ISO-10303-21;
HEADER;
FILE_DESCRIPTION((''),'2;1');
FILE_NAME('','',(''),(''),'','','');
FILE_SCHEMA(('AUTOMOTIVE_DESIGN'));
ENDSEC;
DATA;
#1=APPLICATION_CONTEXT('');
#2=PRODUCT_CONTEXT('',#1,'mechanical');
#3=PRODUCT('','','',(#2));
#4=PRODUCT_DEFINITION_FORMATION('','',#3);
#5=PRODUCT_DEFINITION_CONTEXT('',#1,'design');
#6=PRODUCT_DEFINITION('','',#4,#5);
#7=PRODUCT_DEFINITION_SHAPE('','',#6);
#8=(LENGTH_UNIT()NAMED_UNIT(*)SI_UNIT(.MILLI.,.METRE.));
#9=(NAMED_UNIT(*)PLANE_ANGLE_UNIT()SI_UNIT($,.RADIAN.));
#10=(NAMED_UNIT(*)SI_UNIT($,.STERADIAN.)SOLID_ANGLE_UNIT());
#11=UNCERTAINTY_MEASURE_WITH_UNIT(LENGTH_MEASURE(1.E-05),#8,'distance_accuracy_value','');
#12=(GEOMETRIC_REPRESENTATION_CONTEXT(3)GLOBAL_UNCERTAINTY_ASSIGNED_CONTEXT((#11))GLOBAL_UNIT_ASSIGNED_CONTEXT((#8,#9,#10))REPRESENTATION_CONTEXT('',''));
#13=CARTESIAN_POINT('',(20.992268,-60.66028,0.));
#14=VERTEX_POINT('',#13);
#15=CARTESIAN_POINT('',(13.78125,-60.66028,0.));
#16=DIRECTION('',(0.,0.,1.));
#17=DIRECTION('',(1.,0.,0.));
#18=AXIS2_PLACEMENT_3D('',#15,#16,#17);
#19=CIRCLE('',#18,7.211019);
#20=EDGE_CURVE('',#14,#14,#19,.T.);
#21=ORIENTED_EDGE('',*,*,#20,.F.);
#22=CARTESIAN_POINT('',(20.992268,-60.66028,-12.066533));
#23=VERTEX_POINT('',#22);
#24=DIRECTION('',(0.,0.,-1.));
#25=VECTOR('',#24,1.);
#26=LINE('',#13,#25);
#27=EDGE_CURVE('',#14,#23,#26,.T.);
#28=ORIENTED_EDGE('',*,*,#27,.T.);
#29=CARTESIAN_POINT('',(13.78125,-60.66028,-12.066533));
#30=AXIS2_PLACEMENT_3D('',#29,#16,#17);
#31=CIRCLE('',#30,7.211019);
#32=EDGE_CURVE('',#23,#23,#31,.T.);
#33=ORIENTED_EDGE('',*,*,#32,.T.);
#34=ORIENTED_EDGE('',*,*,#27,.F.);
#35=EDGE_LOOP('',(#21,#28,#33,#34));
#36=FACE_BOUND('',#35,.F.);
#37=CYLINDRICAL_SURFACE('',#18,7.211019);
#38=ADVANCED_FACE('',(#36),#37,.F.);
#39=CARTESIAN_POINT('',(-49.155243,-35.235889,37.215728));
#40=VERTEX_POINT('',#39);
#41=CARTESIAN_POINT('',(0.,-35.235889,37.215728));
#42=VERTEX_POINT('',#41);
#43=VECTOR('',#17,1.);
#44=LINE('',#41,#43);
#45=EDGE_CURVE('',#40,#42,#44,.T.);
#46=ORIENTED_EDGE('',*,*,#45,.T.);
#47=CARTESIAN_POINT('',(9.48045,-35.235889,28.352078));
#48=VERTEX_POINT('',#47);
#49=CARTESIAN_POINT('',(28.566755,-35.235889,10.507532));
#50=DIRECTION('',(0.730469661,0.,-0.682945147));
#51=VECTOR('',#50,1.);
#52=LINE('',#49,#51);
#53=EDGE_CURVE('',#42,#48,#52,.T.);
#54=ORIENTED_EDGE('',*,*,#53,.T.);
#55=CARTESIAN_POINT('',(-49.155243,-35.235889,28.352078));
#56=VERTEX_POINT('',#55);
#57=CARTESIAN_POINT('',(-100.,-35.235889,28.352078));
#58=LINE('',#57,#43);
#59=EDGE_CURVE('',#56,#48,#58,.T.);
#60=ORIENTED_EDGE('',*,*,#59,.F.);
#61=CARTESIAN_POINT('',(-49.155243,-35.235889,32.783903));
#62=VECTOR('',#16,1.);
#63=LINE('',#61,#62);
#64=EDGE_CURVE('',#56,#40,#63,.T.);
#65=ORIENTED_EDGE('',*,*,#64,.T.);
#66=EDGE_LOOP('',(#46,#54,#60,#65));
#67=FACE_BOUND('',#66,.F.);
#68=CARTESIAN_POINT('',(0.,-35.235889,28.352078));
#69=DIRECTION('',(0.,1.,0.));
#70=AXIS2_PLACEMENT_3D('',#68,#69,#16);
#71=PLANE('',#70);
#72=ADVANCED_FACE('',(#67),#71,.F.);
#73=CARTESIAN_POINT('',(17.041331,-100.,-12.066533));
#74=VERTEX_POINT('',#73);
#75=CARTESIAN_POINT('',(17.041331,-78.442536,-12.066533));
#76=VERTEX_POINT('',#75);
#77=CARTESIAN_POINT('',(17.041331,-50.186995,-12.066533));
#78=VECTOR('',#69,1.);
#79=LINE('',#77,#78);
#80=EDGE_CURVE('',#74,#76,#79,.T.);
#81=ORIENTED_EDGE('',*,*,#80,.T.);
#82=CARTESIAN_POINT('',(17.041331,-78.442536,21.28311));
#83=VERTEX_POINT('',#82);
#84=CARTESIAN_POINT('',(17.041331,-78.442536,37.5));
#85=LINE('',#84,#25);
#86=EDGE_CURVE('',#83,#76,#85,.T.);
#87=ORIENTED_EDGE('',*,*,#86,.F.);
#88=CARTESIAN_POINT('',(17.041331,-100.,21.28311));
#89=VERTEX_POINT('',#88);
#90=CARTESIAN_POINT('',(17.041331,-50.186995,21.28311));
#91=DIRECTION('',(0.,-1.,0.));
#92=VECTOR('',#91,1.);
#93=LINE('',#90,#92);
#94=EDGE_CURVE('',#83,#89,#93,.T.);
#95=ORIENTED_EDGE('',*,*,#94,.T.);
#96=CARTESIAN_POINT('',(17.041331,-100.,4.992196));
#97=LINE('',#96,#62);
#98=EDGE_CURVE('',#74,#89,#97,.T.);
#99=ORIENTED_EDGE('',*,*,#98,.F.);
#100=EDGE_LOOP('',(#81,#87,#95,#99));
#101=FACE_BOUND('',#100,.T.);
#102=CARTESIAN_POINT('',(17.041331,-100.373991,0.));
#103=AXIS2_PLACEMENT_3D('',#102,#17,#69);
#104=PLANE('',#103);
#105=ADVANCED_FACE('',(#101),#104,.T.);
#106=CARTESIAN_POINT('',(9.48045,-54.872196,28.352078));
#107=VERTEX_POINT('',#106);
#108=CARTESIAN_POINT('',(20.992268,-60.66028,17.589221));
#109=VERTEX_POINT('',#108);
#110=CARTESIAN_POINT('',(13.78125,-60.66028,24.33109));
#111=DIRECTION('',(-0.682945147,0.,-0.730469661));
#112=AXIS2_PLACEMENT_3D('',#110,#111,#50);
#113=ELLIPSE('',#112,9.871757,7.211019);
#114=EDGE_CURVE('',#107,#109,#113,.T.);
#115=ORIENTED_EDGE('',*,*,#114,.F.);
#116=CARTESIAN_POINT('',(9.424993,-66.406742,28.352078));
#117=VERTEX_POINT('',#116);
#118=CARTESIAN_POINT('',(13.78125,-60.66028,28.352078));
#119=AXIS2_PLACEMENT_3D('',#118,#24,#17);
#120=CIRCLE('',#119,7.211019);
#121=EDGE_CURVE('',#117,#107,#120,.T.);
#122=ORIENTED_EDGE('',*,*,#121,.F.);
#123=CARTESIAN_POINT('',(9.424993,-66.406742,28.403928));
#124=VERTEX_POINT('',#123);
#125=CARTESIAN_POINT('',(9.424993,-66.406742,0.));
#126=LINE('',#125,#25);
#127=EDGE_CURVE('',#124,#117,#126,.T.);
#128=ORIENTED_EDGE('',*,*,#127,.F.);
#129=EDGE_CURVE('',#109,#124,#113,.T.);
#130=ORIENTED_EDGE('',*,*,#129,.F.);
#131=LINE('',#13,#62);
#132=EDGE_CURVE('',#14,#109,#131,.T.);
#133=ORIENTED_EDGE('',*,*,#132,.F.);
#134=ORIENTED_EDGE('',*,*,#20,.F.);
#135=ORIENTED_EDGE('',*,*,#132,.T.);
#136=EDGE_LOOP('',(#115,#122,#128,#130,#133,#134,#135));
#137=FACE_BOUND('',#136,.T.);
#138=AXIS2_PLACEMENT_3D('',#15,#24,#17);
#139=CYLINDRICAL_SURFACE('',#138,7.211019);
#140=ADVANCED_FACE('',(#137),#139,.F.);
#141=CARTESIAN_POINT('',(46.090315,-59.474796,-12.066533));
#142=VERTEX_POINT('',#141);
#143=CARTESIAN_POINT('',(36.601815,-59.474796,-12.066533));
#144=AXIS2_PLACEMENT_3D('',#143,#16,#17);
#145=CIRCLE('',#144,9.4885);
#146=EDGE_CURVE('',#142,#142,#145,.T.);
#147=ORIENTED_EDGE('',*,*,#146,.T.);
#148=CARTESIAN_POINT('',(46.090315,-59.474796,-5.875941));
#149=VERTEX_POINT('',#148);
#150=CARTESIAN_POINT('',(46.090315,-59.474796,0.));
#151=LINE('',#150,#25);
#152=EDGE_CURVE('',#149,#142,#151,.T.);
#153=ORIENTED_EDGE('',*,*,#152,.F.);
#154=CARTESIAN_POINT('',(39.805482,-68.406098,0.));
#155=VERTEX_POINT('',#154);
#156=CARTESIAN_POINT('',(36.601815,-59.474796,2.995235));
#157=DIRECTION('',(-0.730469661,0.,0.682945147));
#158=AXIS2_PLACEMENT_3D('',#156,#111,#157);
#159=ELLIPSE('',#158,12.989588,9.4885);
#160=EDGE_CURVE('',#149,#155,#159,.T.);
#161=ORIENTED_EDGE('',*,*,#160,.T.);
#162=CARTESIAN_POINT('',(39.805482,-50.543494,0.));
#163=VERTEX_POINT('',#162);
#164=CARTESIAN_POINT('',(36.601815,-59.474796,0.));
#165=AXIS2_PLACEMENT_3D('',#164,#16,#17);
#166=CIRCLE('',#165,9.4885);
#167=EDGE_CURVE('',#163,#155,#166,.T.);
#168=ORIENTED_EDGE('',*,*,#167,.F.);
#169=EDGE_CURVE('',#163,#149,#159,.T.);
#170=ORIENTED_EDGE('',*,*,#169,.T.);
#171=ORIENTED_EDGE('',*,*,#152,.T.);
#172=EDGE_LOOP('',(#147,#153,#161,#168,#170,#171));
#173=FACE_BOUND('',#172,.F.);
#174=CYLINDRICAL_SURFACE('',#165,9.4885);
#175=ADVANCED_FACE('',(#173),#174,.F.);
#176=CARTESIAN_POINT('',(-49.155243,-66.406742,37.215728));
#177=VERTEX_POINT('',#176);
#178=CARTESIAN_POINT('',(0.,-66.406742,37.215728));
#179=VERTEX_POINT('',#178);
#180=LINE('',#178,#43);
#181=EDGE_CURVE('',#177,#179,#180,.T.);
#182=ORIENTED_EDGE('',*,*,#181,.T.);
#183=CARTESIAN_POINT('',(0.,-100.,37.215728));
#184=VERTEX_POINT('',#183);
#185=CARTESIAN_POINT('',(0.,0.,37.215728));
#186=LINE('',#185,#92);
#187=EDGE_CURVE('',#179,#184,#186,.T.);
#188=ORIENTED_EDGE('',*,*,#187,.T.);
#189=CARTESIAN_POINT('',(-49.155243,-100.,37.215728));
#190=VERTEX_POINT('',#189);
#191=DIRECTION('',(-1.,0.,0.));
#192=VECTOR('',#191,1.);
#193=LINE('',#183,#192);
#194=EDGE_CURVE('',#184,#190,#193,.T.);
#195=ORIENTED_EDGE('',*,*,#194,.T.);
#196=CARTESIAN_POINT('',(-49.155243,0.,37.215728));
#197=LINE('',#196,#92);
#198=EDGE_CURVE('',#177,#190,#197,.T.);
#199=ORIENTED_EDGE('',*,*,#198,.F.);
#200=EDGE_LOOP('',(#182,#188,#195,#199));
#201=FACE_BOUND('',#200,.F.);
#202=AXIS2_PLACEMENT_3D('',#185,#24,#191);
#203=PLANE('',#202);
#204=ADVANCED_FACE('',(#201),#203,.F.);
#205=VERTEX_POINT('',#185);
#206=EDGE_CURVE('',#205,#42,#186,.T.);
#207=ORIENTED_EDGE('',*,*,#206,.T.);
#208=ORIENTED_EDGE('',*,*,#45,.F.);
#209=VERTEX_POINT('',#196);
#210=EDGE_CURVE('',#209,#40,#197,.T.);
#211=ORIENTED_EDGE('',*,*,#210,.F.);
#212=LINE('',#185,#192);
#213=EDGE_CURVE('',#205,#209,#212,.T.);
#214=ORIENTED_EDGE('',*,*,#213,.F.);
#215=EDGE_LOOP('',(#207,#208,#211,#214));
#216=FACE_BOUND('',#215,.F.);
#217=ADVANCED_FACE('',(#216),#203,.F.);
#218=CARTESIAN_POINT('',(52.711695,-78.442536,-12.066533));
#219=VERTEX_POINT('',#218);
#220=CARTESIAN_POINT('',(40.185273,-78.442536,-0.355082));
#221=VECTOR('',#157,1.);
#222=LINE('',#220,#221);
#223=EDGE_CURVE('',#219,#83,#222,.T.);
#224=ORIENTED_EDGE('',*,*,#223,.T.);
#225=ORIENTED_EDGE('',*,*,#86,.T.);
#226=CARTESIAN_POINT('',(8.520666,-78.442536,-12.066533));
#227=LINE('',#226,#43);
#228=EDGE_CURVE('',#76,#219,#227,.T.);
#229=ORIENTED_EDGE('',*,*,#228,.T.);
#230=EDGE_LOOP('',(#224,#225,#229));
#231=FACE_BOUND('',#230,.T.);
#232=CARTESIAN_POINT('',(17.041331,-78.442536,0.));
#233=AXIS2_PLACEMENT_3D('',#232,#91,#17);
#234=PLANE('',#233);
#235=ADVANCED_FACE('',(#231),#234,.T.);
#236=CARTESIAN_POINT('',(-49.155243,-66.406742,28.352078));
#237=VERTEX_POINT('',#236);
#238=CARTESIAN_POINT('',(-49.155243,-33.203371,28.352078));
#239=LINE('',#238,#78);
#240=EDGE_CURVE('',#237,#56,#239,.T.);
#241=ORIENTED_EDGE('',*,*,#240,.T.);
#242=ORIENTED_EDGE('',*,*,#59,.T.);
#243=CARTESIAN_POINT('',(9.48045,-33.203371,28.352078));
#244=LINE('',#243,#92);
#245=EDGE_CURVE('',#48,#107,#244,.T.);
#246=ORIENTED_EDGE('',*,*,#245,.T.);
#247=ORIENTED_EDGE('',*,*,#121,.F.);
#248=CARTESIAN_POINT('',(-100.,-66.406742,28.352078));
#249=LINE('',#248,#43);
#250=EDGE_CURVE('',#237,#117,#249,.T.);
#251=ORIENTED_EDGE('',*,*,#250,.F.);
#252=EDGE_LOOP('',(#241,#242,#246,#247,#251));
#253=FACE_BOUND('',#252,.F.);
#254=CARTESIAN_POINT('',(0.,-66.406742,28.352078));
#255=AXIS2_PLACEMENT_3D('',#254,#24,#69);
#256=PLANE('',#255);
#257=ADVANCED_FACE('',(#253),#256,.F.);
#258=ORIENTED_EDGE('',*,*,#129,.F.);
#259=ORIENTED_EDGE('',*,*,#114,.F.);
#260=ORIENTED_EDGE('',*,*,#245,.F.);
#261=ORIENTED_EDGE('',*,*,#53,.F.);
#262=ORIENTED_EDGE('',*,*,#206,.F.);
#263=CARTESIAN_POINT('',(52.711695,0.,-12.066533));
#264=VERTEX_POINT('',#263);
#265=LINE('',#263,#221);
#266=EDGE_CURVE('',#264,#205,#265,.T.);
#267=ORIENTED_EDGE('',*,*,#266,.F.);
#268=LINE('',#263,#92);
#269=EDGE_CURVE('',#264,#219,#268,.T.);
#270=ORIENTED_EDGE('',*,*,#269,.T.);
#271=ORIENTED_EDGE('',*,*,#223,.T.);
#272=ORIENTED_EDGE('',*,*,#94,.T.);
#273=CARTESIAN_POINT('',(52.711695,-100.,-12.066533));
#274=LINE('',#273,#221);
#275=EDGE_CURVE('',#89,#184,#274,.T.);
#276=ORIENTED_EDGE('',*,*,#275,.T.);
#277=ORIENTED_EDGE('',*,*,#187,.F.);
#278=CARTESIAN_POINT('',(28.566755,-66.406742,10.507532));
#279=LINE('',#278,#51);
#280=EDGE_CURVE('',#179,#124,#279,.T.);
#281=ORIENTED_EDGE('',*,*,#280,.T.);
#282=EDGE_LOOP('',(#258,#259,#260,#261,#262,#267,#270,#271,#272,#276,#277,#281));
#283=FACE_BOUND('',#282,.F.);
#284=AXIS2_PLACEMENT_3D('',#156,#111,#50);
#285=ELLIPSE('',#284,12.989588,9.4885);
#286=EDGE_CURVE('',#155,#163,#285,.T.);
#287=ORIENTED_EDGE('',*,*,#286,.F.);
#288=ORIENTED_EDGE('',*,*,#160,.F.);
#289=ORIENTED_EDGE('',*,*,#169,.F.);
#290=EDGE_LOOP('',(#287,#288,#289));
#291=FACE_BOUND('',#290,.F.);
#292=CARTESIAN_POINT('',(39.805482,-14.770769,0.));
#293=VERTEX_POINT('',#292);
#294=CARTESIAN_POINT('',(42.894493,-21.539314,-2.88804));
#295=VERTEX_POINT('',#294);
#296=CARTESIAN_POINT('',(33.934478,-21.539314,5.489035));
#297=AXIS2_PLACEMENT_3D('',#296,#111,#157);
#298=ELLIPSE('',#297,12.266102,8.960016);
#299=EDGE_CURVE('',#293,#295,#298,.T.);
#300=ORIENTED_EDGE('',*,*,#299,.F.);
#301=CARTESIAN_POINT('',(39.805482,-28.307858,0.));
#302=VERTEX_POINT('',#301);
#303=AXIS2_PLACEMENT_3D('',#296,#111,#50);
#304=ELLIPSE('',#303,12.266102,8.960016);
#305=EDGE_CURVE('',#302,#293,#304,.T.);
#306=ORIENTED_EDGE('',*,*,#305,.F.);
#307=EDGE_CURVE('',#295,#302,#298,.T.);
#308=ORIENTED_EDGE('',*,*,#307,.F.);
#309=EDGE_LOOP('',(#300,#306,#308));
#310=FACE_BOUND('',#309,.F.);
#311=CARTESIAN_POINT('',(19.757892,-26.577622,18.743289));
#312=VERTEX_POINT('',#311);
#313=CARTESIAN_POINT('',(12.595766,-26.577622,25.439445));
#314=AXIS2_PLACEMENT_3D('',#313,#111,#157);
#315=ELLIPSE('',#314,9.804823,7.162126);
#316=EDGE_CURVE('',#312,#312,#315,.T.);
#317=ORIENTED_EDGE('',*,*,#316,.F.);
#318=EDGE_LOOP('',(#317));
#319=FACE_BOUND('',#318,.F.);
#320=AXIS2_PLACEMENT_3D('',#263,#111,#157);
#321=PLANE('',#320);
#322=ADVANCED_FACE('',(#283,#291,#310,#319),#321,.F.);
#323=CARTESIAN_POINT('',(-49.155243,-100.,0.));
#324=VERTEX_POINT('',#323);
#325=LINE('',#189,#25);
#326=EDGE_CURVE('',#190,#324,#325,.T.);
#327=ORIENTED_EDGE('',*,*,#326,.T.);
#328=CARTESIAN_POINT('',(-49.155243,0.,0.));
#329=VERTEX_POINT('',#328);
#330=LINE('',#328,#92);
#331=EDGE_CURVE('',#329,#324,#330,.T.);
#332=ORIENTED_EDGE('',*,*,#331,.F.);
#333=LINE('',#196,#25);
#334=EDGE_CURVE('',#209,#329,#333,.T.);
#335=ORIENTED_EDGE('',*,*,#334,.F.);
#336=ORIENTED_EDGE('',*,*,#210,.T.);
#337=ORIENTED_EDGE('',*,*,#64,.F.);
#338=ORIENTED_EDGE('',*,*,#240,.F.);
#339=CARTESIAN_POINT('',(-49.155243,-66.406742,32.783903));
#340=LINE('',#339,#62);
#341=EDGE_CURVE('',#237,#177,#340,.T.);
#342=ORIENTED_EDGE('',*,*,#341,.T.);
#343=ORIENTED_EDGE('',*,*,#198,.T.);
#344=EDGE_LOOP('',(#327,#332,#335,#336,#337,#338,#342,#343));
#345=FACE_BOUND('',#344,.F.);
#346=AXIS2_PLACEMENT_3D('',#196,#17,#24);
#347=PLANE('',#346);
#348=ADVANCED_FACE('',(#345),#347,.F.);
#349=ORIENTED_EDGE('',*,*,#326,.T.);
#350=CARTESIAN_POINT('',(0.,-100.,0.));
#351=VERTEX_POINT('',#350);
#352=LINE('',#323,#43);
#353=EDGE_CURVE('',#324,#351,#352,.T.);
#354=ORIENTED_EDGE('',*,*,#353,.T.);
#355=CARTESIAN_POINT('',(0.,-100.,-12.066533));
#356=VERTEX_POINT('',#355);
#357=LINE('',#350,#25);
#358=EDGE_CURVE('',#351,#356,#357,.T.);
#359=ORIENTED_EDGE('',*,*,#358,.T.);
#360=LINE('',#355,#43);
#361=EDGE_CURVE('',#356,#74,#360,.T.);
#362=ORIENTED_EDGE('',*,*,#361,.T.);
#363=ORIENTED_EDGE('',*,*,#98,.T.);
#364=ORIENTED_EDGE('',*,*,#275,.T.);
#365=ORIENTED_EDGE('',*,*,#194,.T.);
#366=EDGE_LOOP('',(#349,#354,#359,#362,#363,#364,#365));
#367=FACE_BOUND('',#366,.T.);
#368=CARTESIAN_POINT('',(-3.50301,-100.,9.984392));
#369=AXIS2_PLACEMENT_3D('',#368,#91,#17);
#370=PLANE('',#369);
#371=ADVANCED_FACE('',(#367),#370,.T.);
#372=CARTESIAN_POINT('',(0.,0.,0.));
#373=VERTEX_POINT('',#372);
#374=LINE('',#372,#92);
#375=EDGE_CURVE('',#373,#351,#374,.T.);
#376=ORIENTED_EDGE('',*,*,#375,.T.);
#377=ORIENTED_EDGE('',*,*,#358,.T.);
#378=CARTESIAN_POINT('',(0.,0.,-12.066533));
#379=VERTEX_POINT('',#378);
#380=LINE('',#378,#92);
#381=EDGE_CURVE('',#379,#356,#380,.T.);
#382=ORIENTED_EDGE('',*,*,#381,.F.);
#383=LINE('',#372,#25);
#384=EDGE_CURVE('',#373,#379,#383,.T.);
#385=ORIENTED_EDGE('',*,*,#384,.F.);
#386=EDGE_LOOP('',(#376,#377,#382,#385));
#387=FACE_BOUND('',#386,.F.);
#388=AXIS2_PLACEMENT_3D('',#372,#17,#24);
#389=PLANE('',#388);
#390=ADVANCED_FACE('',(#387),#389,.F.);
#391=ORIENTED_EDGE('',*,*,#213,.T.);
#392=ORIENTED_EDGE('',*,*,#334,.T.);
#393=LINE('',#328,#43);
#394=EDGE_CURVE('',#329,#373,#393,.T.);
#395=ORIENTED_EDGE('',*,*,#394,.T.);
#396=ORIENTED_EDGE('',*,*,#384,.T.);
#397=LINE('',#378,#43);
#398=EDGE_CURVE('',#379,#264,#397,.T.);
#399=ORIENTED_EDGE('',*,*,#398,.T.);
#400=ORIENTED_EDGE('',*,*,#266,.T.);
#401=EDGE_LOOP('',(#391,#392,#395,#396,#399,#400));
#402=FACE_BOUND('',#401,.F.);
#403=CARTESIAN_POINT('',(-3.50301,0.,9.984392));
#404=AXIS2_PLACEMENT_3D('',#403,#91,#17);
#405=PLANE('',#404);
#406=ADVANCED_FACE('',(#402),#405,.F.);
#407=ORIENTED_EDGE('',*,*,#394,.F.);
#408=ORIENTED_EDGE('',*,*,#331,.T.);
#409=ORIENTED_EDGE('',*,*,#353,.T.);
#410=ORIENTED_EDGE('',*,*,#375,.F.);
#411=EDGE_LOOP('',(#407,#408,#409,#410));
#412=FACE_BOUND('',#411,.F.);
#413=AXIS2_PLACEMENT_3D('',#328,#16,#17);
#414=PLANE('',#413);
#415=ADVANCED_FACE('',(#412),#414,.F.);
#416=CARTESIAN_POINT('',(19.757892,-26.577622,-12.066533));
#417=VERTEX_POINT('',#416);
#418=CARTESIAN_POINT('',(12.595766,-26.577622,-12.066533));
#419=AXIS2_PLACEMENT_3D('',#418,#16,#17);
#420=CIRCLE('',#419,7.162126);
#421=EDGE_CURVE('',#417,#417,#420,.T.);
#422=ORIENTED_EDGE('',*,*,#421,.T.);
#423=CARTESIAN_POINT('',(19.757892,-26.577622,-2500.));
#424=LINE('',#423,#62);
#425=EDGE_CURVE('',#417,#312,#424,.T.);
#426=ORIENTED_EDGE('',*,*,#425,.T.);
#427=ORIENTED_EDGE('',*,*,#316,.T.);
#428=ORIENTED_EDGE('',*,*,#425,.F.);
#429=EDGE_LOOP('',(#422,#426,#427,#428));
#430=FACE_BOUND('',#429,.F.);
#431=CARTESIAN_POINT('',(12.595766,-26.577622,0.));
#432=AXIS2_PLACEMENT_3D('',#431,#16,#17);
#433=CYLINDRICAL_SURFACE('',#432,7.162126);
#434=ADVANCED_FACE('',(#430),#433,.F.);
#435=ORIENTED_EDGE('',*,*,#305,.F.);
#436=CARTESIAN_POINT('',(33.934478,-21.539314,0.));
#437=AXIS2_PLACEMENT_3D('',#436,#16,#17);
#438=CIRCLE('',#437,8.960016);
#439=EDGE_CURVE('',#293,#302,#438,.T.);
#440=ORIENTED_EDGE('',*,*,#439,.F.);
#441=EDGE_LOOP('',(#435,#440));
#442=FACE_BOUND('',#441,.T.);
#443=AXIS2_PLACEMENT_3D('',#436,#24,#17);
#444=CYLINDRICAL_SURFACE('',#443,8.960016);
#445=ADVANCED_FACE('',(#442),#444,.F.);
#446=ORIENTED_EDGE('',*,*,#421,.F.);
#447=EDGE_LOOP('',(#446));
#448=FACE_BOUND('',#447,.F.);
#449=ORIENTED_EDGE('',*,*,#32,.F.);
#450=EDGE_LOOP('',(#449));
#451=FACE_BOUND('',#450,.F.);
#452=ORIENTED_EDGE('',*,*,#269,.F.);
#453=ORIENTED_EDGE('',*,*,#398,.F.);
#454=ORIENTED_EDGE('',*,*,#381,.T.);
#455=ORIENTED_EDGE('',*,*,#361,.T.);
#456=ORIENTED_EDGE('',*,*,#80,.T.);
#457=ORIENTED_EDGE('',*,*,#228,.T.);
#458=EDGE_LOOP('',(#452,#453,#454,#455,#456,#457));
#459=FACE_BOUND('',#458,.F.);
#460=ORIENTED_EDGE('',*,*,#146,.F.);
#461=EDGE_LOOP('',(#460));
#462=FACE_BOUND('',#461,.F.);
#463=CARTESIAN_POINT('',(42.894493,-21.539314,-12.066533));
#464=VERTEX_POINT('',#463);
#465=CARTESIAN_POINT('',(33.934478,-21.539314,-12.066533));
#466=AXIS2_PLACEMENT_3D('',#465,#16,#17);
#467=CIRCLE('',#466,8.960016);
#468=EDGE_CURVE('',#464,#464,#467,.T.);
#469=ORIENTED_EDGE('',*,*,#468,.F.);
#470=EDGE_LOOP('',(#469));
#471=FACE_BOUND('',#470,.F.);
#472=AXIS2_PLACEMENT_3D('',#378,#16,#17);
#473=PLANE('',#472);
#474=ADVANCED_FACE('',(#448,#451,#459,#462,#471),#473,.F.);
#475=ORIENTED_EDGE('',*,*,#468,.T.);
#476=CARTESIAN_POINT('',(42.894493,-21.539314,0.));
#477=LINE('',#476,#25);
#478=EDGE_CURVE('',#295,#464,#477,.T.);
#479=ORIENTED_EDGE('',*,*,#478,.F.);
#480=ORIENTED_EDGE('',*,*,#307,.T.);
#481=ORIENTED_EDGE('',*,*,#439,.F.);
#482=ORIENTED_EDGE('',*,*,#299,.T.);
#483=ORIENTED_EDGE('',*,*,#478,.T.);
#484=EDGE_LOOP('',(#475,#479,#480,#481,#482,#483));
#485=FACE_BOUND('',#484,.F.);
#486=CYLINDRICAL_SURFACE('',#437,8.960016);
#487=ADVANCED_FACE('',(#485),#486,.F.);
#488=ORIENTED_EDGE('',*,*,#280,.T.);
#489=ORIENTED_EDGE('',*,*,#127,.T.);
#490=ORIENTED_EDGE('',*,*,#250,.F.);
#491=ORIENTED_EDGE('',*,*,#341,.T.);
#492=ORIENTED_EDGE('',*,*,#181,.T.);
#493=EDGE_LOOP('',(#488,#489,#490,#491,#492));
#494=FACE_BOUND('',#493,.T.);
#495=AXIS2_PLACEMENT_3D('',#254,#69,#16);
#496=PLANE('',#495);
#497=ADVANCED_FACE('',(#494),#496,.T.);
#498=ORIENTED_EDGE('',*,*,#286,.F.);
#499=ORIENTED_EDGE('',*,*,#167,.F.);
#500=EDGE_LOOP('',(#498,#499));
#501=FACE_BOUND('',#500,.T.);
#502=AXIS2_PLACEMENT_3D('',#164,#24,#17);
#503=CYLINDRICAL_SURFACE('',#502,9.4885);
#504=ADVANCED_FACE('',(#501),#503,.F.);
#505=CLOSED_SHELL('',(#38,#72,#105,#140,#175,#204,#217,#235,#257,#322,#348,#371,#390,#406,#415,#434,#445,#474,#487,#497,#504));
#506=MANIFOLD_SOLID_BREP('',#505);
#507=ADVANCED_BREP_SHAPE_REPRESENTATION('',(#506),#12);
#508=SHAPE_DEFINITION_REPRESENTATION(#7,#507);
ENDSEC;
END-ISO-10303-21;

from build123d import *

# Parameters (mm, degrees)
F1_DEPTH = 100
F2_W     = 38.2318552583
F2_H     = 21.9314545393
F3_DEPTH = 37.5
F4_W     = 31.1708524823
F4_H     = 11.4039704204
F5_DEPTH = 100
F6_R     = 7.2110189045
F6_R_2   = 9.4884997303
F6_R_3   = 8.9600155303
F6_R_4   = 7.162126067
F7_DEPTH = 2500


with BuildPart() as f1:
    # F0 (on Front) → F1 (new body)
    with BuildSketch(Plane.XZ):
        Polygon((-49.1552427411, 37.2157283127), (-49.1552427411, 0), (0, 0), (0, -12.0665328577), (52.7116954327, -12.0665328577), (0, 37.2157283127), align=None)
    extrude(amount=F1_DEPTH)

    # F2 (on Top) → F3 (cut, symmetric)
    with BuildSketch(Plane.XY):
        with Locations((36.1572587863, -89.4082635641)):
            Rectangle(F2_W, F2_H)
    extrude(amount=F3_DEPTH, both=True, mode=Mode.SUBTRACT)

    # F4 (on Right) → F5 (cut, symmetric)
    with BuildSketch(Plane.YZ):
        with Locations((-50.8213154972, 34.0540632606)):
            Rectangle(F4_W, F4_H)
    extrude(amount=F5_DEPTH, both=True, mode=Mode.SUBTRACT)

    # F6 (on Top) → F7 (cut, symmetric)
    with BuildSketch(Plane.XY):
        with Locations((13.7812495232, -60.6602802873)):
            Circle(F6_R)
        with Locations((36.6018153727, -59.4747960567)):
            Circle(F6_R_2)
        with Locations((33.9344777167, -21.5393137187)):
            Circle(F6_R_3)
        with Locations((12.595766224, -26.5776216984)):
            Circle(F6_R_4)
    extrude(amount=F7_DEPTH, both=True, mode=Mode.SUBTRACT)


solid = f1.part
